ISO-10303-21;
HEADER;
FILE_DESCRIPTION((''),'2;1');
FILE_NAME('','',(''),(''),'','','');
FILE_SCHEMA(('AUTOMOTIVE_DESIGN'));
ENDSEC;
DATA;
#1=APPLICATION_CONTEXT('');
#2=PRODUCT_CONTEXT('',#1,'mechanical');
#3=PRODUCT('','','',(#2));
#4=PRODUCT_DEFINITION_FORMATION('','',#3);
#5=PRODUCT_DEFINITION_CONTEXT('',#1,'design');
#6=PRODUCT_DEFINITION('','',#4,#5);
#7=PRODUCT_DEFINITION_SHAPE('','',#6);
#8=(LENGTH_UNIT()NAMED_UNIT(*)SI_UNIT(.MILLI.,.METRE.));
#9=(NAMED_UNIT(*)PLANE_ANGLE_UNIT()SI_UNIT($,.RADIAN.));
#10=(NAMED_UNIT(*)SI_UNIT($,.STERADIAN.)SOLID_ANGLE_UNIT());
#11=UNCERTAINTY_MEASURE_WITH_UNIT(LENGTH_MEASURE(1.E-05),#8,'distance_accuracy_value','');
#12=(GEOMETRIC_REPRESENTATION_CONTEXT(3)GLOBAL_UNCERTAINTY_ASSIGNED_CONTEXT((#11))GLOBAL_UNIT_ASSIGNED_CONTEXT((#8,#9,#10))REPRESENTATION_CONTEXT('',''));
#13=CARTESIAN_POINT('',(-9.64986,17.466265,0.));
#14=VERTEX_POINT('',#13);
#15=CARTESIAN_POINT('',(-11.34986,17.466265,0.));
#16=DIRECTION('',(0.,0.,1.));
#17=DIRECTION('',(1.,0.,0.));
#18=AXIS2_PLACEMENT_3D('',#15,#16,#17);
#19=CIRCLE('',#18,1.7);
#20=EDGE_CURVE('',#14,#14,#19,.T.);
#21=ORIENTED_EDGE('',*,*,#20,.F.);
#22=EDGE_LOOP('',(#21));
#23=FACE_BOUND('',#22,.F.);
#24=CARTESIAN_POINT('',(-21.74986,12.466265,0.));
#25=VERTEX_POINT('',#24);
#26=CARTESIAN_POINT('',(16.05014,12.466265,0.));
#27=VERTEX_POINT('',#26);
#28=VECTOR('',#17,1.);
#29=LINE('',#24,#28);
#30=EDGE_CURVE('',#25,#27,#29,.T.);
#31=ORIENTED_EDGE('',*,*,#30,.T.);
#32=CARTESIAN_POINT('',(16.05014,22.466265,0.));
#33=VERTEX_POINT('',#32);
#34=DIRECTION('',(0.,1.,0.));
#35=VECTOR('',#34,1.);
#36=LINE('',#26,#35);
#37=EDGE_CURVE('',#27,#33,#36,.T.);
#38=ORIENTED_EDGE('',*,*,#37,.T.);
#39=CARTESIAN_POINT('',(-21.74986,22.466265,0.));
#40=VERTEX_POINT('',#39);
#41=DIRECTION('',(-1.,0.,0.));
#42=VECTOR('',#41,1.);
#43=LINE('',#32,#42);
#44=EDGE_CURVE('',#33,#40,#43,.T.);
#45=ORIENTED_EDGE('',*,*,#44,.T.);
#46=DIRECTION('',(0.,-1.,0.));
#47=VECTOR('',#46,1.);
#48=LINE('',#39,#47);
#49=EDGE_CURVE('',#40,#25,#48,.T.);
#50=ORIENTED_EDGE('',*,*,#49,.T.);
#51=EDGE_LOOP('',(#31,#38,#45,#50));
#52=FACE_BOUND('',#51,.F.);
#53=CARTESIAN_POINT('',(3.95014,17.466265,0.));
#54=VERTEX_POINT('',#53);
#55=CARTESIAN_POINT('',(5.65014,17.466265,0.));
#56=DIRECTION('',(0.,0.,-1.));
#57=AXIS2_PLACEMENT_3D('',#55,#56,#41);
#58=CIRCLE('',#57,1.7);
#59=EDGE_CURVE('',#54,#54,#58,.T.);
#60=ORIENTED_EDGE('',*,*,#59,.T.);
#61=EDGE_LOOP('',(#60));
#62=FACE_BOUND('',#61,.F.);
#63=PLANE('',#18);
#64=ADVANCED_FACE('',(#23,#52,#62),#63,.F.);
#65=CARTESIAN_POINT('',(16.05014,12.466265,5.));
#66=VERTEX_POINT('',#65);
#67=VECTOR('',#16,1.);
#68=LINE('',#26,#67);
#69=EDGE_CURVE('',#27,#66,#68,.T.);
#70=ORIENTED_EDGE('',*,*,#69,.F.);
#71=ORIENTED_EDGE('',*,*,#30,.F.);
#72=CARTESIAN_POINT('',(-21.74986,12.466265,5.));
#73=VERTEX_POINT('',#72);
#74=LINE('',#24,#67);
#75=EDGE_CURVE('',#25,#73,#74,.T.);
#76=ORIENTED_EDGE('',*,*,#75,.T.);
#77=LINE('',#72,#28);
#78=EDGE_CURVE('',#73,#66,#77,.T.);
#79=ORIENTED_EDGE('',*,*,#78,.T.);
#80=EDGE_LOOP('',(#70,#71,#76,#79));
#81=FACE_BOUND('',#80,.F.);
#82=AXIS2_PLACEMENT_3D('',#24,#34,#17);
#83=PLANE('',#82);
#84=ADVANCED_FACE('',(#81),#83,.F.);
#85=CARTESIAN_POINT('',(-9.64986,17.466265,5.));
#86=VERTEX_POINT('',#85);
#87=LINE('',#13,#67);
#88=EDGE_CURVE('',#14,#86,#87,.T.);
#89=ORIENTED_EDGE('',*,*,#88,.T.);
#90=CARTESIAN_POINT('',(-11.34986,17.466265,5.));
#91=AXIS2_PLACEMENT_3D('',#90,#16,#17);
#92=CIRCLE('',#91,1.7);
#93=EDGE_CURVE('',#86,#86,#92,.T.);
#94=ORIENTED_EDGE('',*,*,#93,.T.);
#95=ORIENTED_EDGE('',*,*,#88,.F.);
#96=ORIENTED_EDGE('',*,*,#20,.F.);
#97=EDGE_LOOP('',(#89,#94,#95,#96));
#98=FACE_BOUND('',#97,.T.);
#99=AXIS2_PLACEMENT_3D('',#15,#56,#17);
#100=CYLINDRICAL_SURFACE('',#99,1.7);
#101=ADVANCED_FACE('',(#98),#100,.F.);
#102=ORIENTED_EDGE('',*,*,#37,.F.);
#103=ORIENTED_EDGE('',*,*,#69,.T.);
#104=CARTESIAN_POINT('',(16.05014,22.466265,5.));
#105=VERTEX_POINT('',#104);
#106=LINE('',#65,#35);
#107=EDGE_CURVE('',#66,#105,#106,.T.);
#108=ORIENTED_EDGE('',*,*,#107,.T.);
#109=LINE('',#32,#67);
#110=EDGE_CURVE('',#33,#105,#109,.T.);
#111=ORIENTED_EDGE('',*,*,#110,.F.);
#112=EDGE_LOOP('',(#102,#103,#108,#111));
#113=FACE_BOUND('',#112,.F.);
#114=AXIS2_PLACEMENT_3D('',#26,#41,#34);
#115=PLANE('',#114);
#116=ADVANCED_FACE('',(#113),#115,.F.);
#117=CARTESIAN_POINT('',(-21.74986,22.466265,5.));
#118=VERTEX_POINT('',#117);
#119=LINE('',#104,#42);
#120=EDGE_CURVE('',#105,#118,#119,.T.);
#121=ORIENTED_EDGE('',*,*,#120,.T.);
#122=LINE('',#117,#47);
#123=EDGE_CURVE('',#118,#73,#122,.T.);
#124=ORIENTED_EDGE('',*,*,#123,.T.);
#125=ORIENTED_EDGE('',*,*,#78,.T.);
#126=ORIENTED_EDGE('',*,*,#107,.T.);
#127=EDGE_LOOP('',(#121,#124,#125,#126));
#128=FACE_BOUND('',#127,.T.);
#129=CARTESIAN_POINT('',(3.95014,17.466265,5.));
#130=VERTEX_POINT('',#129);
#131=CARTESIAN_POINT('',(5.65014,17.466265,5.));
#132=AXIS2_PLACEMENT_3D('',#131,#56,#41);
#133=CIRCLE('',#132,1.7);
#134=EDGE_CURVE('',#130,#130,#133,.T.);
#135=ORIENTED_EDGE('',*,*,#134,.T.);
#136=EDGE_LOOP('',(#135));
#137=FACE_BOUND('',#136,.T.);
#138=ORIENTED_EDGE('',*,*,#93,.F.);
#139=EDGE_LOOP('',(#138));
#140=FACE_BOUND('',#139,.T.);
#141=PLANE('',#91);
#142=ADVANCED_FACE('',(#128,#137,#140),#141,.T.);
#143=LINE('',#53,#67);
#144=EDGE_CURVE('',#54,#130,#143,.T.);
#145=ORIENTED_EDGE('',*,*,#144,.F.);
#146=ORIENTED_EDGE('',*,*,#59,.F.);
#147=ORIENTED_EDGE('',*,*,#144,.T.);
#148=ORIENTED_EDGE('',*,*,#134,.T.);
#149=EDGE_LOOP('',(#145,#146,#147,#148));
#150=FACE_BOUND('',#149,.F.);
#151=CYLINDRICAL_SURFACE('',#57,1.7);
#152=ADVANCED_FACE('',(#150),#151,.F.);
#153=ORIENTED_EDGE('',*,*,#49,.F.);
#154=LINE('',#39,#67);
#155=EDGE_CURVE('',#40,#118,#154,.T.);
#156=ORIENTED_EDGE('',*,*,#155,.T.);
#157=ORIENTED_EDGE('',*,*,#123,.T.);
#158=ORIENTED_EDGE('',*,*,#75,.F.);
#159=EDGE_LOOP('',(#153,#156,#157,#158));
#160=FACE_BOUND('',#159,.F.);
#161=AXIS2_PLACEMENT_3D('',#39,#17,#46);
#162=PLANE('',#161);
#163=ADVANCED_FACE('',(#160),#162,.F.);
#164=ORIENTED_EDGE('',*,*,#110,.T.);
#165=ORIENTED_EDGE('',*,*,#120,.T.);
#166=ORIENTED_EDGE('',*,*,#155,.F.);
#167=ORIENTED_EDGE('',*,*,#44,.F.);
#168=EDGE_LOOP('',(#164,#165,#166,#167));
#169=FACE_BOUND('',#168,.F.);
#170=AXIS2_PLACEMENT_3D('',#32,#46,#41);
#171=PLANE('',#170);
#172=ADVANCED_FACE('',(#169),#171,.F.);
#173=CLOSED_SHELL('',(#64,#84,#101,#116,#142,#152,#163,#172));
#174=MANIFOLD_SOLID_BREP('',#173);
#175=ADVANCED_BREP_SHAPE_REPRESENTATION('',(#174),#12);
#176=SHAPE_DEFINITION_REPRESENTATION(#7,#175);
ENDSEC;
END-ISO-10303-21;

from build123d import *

# Parameters (mm, degrees)
F0_R     = 1.7
F1_DEPTH = 5


with BuildPart() as f1:
    # F0 (on Top) → F1 (new body)
    with BuildSketch(Plane.XY):
        with Locations((-11.34986, 17.466265)):
            Circle(F0_R)
        Polygon((-2.84986, 22.466265), (-21.74986, 22.466265), (-21.74986, 12.466265), (-2.84986, 12.466265), (-2.84986, 17.466265), align=None)
        with Locations((-11.34986, 17.466265)):
            Circle(F0_R, mode=Mode.SUBTRACT)
        with BuildLine():
            ThreePointArc((7.35014, 17.466265), (5.65014, 19.166265), (3.95014, 17.466265))
            ThreePointArc((3.95014, 17.466265), (5.65014, 15.766265), (7.35014, 17.466265))
        make_face()
        Polygon((16.05014, 22.466265), (-2.84986, 22.466265), (-2.84986, 17.466265), (-2.84986, 12.466265), (16.05014, 12.466265), align=None)
        with BuildLine():
            ThreePointArc((7.35014, 17.466265), (5.65014, 15.766265), (3.95014, 17.466265))
            ThreePointArc((3.95014, 17.466265), (5.65014, 19.166265), (7.35014, 17.466265))
        make_face(mode=Mode.SUBTRACT)
    extrude(amount=F1_DEPTH)


solid = f1.part
